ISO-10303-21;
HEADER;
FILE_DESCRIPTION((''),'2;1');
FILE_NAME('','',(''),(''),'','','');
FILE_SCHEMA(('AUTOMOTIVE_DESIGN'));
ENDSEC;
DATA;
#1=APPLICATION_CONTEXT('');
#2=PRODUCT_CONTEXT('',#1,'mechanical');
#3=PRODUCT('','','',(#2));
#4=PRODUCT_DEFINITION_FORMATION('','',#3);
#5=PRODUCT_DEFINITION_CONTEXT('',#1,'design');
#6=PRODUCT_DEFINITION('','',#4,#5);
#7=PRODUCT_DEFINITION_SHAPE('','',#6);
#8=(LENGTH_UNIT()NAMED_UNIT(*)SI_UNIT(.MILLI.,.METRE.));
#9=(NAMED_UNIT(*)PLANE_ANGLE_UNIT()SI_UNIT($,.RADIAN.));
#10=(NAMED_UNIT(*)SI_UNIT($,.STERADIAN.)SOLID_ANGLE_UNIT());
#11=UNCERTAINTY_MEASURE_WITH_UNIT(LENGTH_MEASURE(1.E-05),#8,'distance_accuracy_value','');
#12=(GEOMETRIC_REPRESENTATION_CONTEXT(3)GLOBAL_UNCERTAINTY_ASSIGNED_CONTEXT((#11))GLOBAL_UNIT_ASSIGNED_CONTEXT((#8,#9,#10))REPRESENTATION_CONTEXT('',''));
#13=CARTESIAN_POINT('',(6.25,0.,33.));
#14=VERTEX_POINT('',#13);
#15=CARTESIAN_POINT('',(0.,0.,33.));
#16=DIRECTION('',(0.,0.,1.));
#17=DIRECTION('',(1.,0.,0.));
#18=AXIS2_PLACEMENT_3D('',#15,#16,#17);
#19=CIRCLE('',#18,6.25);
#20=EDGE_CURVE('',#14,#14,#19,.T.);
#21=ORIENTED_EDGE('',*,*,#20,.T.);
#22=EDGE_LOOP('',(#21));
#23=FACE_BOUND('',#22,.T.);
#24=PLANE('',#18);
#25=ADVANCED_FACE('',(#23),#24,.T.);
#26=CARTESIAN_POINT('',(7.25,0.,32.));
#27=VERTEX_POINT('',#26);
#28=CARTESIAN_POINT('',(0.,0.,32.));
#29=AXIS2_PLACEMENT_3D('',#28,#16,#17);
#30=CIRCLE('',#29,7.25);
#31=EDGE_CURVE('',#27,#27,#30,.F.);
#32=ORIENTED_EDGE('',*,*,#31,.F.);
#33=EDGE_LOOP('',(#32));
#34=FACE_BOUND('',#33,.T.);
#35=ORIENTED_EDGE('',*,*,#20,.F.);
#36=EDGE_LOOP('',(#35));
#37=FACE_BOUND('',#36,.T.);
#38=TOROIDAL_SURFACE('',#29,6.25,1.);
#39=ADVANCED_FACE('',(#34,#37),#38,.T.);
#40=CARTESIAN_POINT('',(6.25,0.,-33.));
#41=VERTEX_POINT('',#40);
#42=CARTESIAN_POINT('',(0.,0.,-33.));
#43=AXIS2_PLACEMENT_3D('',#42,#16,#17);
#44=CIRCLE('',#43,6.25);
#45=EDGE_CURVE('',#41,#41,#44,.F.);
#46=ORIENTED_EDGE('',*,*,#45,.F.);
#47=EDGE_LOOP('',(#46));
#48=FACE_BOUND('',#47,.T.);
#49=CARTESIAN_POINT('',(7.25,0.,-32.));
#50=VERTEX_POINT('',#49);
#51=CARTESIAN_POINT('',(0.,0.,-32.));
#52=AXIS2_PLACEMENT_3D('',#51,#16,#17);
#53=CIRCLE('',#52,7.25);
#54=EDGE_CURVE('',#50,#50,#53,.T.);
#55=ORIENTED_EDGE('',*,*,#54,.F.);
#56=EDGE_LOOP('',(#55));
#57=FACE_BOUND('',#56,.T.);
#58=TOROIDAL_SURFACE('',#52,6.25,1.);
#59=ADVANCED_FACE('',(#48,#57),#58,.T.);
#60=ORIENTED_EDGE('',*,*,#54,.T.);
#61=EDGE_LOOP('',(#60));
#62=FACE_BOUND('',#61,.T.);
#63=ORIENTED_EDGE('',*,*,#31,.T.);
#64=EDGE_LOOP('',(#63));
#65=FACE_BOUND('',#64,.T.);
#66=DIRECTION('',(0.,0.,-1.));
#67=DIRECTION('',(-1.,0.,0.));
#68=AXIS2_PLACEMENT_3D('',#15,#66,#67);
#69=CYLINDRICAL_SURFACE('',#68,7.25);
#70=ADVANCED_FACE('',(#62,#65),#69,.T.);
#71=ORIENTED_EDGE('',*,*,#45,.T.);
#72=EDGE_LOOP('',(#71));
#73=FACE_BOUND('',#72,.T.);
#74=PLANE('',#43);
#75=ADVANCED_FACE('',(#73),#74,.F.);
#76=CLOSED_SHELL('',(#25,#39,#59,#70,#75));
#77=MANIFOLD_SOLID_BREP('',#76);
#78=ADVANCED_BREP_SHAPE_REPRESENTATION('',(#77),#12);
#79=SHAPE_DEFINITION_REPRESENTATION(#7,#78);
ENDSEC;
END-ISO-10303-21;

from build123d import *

# Parameters (mm, degrees)
SKETCH2_R           = 7.25
BOSS_EXTRUDE1_DEPTH = 33
FILLET1_R           = 1


with BuildPart() as part:
    # Sketch2 → Boss-Extrude1 (new, symmetric)
    with BuildSketch(Plane.XY):
        Circle(SKETCH2_R)
    extrude(amount=BOSS_EXTRUDE1_DEPTH, both=True)

    # Fillet1
    fillet1_edges = [part.edges().sort_by_distance(p)[0] for p in [
        (-7.25, 0, -33),
        (-7.25, 0, 33),
    ]]
    fillet(fillet1_edges, radius=FILLET1_R)


solid = part.part
